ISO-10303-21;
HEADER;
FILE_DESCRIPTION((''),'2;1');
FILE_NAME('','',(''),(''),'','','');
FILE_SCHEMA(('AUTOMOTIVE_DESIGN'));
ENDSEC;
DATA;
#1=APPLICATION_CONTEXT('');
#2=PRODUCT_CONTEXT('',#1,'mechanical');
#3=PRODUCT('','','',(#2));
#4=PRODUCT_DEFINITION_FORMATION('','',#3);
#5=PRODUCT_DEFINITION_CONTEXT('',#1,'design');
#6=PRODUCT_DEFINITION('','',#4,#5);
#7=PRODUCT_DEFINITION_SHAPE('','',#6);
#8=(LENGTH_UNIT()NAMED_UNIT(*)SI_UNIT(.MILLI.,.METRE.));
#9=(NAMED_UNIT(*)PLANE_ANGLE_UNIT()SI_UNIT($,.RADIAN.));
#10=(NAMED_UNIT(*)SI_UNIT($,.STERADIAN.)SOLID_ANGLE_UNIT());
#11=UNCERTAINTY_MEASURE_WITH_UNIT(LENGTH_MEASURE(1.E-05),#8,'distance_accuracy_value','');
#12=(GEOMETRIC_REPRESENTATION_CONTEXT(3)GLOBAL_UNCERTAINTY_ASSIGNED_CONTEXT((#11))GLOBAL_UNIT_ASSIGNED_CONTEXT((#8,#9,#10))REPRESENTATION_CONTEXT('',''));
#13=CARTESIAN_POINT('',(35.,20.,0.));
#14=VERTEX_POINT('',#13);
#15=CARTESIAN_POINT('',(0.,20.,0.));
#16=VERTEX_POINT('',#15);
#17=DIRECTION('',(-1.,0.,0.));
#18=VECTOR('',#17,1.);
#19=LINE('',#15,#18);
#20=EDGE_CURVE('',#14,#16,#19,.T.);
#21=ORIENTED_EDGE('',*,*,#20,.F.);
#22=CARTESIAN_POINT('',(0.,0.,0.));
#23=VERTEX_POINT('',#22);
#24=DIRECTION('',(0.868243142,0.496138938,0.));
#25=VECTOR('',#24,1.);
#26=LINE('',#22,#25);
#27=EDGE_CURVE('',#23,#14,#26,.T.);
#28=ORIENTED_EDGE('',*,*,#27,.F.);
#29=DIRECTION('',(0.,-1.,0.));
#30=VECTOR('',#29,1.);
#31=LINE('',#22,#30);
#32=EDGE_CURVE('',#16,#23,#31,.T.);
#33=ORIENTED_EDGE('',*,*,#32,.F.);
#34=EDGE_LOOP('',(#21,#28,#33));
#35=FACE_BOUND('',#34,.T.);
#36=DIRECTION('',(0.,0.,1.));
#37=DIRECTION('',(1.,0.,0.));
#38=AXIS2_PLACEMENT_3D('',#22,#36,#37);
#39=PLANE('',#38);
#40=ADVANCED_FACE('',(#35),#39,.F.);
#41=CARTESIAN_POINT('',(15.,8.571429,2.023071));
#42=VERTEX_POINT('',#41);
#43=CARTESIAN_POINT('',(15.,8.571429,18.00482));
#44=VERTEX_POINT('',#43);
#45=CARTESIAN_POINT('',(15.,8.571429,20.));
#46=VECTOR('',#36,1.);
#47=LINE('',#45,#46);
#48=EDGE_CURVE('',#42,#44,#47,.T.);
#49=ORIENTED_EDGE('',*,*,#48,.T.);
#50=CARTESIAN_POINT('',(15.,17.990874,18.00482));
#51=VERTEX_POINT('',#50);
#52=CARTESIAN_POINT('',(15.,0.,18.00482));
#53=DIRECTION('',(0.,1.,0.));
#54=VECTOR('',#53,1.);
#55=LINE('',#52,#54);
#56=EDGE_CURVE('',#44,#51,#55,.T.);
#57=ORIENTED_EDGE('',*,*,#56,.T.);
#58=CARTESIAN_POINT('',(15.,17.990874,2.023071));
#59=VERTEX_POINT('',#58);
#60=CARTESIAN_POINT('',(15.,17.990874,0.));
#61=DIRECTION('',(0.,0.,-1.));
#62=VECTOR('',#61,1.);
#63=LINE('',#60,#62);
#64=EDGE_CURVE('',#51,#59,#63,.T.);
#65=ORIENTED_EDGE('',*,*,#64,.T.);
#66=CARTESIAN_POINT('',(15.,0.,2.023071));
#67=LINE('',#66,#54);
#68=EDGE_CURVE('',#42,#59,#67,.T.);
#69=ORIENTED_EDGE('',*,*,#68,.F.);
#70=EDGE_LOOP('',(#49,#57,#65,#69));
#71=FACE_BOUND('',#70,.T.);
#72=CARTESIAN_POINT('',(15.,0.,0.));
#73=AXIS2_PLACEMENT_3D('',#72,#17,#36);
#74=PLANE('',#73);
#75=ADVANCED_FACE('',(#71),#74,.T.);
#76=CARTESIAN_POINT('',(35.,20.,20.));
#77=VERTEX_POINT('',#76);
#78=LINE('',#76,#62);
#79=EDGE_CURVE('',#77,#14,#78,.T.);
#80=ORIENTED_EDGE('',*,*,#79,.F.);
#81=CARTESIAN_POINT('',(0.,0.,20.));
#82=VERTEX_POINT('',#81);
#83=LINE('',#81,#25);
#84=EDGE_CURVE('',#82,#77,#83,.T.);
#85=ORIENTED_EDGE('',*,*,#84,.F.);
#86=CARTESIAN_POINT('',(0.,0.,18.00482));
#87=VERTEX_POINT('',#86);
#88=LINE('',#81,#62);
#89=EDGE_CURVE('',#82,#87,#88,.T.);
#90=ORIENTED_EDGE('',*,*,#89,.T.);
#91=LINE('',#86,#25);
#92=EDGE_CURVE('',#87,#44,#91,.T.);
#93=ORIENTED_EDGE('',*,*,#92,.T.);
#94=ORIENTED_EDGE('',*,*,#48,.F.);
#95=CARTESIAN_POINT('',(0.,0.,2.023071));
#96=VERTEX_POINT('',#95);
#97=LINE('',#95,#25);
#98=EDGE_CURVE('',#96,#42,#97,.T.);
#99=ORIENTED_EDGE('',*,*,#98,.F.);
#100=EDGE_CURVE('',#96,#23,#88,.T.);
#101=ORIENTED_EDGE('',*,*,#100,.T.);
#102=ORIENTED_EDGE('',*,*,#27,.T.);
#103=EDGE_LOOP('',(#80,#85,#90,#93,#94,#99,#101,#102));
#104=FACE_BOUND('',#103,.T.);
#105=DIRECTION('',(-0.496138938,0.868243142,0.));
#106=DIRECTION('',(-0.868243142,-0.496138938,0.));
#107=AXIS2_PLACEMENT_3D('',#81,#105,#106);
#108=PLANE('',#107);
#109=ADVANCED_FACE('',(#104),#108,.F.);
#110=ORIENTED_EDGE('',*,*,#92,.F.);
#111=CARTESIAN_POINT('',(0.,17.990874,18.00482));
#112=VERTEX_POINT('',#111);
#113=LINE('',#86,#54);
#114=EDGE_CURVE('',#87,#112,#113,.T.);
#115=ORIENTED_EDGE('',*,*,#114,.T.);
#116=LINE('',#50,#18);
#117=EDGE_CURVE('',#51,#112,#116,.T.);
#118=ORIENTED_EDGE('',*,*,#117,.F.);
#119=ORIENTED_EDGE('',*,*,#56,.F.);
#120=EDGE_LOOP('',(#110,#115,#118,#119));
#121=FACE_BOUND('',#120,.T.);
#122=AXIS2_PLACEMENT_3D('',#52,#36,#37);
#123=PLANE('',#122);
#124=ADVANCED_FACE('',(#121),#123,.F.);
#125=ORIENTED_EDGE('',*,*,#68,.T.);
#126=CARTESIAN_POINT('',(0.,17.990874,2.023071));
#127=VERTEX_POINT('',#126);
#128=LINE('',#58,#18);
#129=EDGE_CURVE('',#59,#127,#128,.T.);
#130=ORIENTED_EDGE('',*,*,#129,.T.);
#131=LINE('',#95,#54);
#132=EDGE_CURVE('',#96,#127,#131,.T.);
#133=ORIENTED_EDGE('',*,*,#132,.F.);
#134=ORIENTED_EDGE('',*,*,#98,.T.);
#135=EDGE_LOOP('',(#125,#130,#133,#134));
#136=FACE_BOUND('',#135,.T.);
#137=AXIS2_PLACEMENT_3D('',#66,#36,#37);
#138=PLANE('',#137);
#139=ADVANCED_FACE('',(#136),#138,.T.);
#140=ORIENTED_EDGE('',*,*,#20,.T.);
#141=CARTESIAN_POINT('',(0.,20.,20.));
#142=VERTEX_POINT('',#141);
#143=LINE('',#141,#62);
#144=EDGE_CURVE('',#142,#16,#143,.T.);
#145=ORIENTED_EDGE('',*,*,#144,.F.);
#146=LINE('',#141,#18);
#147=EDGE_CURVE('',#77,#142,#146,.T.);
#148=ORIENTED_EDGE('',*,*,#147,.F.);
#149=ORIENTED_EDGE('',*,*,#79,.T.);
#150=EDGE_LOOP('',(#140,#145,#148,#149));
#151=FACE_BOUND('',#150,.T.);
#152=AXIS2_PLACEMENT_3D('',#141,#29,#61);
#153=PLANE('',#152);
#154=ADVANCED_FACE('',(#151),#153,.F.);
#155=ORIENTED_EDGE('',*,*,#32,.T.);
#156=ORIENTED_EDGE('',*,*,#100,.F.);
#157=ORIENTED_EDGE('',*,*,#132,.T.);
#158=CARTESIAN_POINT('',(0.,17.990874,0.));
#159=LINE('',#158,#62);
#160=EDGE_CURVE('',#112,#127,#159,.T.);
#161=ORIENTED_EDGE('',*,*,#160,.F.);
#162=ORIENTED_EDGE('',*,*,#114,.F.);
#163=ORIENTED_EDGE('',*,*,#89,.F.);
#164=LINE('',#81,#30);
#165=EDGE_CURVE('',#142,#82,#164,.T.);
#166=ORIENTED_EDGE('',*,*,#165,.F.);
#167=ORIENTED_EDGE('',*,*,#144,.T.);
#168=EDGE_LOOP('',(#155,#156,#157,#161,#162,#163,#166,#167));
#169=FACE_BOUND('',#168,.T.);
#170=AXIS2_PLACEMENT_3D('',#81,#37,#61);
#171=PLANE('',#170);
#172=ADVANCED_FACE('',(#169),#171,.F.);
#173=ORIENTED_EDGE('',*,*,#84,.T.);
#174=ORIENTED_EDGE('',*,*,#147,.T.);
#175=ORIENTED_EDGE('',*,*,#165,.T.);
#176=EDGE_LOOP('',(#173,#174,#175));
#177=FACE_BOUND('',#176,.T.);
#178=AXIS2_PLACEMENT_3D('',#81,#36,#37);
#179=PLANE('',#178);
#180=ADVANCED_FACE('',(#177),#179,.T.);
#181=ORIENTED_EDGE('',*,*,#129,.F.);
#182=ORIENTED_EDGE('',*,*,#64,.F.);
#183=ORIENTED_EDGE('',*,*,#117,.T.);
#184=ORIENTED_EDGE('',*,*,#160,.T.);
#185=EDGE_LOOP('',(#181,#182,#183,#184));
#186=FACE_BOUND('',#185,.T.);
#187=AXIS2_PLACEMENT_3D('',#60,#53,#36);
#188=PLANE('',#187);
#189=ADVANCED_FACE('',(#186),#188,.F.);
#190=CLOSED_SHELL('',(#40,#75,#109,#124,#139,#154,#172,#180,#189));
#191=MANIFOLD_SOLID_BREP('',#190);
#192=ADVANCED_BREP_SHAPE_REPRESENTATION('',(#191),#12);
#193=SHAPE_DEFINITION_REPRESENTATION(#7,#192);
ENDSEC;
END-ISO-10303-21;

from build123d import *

# Parameters (mm, degrees)
BOSS_EXTRUDE1_DEPTH = 20
SKETCH2_W           = 15.981748592
SKETCH2_H           = 17.990874296
CUT_EXTRUDE1_DEPTH  = 15


with BuildPart() as part:
    # Sketch1 → Boss-Extrude1 (new body)
    with BuildSketch(Plane.XY):
        Polygon((0, 0), (0, 20), (35, 20), align=None)
    extrude(amount=BOSS_EXTRUDE1_DEPTH)

    # Sketch2 → Cut-Extrude1 (cut)
    with BuildSketch(Plane.ZY):
        with Locations((10.013945679, 8.995437148)):
            Rectangle(SKETCH2_W, SKETCH2_H)
    extrude(amount=-CUT_EXTRUDE1_DEPTH, mode=Mode.SUBTRACT)


solid = part.part
